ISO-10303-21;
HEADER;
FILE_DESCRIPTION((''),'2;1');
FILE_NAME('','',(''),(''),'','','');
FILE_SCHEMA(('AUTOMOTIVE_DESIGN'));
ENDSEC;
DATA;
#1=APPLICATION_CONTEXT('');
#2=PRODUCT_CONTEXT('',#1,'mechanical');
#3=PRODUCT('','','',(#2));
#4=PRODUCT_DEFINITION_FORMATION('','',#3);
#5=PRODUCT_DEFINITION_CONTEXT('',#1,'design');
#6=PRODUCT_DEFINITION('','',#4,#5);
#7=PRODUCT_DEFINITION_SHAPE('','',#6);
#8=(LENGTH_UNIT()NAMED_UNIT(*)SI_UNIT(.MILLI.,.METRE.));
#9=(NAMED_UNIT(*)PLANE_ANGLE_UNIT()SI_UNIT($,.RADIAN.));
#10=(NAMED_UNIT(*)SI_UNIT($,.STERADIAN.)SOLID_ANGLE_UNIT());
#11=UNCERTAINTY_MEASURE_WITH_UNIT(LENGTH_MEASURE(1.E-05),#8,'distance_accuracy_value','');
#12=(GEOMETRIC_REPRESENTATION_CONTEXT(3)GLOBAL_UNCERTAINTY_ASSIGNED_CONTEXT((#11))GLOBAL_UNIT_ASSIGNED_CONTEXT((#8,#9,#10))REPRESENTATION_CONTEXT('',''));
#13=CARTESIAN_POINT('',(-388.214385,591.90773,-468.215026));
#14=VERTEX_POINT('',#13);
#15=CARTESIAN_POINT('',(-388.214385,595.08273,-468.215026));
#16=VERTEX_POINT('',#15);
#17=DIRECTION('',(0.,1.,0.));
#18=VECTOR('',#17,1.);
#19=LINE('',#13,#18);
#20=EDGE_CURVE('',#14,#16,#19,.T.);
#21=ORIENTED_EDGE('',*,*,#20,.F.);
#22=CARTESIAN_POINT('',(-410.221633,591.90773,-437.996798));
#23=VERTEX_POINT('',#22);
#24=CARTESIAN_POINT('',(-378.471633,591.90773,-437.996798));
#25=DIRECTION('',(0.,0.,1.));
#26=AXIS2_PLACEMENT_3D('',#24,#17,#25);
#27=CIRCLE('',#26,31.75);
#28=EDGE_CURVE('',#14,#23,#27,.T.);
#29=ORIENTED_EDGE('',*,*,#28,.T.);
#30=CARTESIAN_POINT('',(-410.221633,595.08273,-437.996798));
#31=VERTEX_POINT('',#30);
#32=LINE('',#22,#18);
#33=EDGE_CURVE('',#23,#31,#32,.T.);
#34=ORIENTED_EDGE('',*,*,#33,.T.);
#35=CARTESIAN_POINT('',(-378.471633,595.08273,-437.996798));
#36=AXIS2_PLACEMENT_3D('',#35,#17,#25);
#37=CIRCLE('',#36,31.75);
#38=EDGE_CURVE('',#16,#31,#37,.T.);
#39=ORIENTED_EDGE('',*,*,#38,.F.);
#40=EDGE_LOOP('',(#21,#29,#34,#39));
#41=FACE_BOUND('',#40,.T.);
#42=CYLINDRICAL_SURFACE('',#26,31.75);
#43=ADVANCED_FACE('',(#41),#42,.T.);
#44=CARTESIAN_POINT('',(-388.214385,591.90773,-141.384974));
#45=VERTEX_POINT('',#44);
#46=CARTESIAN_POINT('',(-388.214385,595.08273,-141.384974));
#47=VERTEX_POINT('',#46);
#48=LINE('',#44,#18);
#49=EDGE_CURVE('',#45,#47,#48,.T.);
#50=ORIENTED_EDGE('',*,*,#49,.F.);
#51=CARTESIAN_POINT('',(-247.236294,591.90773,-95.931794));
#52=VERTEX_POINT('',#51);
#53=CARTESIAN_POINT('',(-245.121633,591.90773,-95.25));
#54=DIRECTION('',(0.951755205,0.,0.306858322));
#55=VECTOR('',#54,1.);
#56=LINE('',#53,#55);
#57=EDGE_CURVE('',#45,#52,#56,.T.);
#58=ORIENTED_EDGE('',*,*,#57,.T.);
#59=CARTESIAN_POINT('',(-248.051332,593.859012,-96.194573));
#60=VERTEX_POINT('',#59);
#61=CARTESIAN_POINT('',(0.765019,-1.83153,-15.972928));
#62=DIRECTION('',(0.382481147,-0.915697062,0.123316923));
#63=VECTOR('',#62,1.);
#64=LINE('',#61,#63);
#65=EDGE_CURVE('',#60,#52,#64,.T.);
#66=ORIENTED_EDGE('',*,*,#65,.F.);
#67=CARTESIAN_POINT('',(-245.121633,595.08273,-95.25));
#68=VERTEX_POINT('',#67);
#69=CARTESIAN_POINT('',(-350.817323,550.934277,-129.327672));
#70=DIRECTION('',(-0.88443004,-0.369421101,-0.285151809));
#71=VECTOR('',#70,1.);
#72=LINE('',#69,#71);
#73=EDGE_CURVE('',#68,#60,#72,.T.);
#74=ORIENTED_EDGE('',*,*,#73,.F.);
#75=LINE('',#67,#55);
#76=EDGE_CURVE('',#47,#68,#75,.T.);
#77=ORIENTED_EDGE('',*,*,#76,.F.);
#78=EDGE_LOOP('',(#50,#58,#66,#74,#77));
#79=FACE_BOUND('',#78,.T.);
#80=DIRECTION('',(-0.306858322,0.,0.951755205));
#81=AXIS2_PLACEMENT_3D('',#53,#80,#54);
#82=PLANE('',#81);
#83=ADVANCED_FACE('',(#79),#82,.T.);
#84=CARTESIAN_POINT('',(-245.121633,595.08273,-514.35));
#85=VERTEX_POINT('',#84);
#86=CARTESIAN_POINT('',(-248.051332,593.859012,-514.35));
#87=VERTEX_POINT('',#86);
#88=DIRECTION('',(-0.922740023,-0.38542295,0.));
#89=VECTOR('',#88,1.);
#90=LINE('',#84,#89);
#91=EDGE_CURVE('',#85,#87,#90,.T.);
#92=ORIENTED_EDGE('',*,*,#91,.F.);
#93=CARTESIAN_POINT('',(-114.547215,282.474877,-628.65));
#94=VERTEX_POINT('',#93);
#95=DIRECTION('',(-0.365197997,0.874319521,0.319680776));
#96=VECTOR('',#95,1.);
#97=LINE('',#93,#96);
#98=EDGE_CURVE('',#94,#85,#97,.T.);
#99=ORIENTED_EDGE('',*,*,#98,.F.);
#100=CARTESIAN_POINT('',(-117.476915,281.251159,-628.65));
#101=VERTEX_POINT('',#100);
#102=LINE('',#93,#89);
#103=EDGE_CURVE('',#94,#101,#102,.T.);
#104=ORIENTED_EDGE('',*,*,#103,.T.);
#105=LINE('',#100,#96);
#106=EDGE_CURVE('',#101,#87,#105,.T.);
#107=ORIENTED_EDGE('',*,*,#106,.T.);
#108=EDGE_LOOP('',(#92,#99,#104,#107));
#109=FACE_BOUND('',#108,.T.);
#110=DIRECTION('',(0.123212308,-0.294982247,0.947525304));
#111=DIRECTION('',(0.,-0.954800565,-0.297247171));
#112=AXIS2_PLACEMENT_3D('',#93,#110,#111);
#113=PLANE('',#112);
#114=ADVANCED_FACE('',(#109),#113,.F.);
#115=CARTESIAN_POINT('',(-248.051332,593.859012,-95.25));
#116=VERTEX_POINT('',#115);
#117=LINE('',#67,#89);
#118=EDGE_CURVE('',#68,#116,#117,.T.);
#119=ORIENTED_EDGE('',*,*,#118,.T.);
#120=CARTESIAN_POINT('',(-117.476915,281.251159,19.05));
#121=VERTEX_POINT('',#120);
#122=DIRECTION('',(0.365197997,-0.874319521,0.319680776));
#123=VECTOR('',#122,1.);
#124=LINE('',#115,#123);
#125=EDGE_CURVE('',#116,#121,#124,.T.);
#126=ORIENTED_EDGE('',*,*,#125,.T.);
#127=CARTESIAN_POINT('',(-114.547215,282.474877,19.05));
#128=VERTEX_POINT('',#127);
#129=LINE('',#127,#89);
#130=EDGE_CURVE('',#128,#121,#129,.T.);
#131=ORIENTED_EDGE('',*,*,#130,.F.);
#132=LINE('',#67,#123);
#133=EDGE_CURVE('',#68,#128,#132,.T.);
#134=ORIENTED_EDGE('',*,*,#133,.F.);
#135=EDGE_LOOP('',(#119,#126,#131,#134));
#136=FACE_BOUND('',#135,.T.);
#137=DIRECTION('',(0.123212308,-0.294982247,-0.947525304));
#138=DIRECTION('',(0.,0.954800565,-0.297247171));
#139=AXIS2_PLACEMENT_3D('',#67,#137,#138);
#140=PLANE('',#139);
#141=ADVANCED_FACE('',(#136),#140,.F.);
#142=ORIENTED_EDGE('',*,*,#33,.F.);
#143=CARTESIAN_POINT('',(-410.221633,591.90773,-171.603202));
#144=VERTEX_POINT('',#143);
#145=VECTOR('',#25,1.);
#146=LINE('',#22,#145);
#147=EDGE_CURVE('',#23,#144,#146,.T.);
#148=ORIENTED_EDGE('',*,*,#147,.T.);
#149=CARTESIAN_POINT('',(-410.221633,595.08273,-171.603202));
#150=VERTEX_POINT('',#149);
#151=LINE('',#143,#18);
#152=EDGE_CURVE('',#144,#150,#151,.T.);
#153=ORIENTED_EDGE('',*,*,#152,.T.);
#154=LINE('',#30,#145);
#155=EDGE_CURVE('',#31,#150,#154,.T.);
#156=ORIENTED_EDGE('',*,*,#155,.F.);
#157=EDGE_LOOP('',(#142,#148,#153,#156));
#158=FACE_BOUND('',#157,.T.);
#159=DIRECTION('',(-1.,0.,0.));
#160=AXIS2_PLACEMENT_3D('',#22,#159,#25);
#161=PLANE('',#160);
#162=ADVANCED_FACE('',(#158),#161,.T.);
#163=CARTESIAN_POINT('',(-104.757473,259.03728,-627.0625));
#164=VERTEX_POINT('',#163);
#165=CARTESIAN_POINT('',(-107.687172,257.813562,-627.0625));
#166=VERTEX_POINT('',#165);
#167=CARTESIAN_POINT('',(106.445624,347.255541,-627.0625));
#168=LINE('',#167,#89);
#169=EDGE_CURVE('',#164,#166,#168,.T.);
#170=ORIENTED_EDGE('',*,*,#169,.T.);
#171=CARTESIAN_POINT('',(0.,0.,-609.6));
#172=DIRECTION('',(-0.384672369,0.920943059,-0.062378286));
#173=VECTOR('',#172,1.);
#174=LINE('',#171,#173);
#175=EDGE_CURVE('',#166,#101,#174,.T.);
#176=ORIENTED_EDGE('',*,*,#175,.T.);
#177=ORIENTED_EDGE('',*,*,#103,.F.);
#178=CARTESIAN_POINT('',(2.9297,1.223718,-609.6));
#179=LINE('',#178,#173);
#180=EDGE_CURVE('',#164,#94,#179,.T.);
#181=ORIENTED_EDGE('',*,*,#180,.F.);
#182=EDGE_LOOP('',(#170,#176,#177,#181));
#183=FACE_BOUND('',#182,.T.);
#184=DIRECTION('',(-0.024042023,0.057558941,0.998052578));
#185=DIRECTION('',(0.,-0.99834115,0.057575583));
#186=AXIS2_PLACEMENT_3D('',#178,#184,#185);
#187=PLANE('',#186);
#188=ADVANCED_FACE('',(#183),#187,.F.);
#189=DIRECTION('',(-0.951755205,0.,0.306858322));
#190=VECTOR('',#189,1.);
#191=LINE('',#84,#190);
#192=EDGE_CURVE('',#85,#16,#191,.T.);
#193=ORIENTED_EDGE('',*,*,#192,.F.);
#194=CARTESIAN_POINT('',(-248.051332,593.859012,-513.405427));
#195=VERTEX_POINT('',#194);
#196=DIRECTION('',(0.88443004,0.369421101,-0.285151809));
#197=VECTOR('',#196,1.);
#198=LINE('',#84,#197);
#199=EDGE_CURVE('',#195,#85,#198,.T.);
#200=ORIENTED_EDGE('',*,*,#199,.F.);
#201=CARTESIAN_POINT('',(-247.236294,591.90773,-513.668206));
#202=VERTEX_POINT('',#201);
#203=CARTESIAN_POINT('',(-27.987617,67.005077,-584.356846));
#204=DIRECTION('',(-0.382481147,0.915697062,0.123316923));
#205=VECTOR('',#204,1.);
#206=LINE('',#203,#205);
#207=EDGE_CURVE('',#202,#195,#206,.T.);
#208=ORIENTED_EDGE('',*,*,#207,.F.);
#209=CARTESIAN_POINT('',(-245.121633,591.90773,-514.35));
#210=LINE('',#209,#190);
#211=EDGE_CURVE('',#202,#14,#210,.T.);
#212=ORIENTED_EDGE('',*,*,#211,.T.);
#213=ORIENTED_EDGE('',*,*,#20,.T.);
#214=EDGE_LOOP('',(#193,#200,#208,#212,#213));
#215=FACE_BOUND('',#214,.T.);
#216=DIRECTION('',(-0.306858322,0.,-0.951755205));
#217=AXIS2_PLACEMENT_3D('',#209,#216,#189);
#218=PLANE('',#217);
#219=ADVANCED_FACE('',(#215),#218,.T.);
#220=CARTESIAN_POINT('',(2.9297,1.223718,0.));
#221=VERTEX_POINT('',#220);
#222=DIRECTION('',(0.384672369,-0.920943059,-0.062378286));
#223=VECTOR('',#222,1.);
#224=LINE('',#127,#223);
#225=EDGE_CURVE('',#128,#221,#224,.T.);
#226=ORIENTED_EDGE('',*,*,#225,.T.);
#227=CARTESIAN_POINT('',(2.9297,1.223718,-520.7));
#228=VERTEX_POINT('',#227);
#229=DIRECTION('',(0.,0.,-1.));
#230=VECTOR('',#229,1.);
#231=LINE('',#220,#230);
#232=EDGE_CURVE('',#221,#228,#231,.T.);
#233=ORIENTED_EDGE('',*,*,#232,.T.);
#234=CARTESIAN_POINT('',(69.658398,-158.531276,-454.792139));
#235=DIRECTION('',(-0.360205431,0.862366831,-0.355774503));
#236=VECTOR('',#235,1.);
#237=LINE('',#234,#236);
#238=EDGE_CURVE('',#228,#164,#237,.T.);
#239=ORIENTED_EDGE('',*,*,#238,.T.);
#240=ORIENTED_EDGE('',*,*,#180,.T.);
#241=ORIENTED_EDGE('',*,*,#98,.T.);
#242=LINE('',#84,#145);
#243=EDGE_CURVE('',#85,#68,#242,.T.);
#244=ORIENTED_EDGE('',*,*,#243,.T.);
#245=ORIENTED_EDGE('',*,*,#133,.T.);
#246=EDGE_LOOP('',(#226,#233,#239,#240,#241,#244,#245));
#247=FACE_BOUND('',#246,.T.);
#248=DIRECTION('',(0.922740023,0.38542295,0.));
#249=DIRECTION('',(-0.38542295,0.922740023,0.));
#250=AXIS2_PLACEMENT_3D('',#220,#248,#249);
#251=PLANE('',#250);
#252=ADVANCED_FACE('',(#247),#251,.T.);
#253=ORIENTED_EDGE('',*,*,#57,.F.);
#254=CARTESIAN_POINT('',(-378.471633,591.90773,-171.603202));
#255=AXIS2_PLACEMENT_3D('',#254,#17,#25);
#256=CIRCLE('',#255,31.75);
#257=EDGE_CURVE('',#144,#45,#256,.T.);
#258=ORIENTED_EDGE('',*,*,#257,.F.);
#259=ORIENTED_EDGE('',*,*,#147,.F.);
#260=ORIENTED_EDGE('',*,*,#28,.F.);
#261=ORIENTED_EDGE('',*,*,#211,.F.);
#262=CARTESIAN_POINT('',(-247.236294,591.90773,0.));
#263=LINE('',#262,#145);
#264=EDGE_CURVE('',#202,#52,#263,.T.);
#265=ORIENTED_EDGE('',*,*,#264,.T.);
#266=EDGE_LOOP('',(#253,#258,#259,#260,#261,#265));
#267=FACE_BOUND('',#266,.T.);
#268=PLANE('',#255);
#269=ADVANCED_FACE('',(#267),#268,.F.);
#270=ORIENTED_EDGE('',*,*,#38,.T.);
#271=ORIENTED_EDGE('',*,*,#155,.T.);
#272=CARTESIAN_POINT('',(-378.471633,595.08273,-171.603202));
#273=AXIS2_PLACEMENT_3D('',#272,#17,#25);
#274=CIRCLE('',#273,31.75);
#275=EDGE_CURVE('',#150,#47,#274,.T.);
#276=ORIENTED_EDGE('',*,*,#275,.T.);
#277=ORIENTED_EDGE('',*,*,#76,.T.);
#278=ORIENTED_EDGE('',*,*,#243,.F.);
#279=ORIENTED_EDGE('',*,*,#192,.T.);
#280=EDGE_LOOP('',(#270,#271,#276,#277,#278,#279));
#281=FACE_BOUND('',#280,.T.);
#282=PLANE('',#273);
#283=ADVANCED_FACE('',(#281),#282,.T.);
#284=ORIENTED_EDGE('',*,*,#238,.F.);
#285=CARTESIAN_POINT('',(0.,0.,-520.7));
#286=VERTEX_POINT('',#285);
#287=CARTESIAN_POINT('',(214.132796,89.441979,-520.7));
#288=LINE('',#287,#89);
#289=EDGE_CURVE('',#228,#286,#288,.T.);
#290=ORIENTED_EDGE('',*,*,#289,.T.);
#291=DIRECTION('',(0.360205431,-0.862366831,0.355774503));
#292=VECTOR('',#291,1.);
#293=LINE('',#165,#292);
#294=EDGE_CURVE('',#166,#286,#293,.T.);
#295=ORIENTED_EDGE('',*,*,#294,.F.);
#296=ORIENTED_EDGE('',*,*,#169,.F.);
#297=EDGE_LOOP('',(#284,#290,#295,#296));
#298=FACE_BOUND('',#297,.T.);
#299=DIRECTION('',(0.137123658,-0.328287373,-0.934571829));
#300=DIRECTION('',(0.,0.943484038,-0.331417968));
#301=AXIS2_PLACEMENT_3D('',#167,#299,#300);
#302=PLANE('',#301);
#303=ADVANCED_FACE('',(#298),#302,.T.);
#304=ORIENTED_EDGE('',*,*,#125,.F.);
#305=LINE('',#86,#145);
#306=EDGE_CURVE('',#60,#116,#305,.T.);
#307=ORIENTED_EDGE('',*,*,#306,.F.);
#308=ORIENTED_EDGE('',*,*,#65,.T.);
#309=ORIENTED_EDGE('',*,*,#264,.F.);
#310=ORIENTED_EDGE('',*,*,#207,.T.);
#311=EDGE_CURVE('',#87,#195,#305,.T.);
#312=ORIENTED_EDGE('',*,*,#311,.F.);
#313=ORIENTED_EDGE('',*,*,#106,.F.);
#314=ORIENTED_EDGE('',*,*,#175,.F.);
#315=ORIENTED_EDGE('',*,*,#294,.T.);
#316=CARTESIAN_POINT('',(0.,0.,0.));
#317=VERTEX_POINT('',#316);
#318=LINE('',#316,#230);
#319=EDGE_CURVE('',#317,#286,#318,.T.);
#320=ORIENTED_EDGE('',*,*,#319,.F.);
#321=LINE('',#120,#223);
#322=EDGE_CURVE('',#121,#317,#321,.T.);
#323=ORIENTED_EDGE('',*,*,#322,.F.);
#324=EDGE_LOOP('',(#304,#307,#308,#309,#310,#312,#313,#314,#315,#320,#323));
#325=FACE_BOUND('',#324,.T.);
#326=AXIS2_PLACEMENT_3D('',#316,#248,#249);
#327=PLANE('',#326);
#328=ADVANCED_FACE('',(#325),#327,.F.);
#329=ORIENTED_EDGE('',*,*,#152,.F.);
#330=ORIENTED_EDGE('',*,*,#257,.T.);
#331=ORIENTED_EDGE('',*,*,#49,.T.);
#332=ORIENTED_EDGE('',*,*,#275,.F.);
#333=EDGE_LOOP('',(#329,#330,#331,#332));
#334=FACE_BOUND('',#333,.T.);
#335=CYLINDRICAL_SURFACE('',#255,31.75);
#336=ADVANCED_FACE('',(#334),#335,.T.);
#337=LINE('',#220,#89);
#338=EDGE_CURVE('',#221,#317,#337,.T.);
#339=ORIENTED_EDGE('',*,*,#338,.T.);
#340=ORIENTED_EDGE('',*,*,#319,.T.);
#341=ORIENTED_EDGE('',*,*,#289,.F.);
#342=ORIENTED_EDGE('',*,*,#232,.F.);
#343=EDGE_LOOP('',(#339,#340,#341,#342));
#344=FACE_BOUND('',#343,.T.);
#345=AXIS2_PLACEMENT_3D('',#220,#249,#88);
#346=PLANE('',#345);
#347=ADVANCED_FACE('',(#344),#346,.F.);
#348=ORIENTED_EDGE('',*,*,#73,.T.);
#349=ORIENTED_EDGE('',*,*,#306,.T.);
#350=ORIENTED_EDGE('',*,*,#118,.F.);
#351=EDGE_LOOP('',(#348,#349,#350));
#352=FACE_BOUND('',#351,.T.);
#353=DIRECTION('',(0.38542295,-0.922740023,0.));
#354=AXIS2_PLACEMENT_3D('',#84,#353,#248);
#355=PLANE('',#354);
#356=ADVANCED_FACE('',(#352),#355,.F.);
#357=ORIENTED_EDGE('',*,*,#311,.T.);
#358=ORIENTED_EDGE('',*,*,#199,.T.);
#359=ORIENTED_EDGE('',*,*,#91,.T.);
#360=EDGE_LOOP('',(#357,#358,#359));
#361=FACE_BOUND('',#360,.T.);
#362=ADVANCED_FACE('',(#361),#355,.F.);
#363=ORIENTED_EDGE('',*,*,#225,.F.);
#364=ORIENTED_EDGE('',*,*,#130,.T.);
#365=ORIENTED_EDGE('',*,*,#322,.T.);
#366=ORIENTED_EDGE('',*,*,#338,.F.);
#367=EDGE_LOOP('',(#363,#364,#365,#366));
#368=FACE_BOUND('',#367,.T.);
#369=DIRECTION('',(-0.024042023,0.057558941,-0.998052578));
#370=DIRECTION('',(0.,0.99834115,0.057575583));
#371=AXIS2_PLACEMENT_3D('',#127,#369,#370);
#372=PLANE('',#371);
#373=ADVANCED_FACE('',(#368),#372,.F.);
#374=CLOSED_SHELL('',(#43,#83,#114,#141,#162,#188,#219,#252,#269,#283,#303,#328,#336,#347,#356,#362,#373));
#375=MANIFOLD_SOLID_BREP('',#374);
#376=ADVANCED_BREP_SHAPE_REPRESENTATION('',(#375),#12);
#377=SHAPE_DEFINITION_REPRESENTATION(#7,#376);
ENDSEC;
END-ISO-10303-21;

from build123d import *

# Parameters (mm, degrees)
BOSS_EXTRUDE2_DEPTH = 3.175
BOSS_EXTRUDE3_DEPTH = 3.175
CUT_EXTRUDE2_DEPTH  = 958.917567573


with BuildPart() as part:
    # Sketch3 → Boss-Extrude2 (new body)
    with BuildSketch(Plane(origin=(0, 0, 0), x_dir=(0, 0, -1), z_dir=(0.9227400229187457, 0.3854229496331436, 0))):
        Polygon((0, 0), (609.6, 0), (628.65, 304.8), (514.35, 643.582154794), (95.25, 643.582154794), (-19.05, 304.8), align=None)
    extrude(amount=BOSS_EXTRUDE2_DEPTH)

    # Sketch4 → Boss-Extrude3 (add)
    with BuildSketch(Plane(origin=(0, 595.08273013, 0), x_dir=(1, 0, 0), z_dir=(0, 1, 0))):
        with BuildLine():
            Line((-245.121632859, 514.35), (-388.214384584, 468.215025945))
            ThreePointArc((-388.214384584, 468.215025945), (-404.136734332, 456.688108103), (-410.221632859, 437.996798187))
            Line((-410.221632859, 437.996798187), (-410.221632859, 171.603201813))
            ThreePointArc((-410.221632859, 171.603201813), (-404.136734332, 152.911891897), (-388.214384584, 141.384974055))
            Line((-388.214384584, 141.384974055), (-245.121632859, 95.25))
            Line((-245.121632859, 95.25), (-245.121632859, 514.35))
        make_face()
    extrude(amount=-BOSS_EXTRUDE3_DEPTH)

    # Sketch5 → Cut-Extrude2 (cut, through all)
    with BuildSketch(Plane(origin=(0, 0, 0), x_dir=(0, 0, -1), z_dir=(0.9227400229187457, 0.3854229496331436, 0))):
        Polygon((609.6, 0), (627.0625, 279.4), (520.7, 0), align=None)
    extrude(amount=CUT_EXTRUDE2_DEPTH, mode=Mode.SUBTRACT)


solid = part.part
